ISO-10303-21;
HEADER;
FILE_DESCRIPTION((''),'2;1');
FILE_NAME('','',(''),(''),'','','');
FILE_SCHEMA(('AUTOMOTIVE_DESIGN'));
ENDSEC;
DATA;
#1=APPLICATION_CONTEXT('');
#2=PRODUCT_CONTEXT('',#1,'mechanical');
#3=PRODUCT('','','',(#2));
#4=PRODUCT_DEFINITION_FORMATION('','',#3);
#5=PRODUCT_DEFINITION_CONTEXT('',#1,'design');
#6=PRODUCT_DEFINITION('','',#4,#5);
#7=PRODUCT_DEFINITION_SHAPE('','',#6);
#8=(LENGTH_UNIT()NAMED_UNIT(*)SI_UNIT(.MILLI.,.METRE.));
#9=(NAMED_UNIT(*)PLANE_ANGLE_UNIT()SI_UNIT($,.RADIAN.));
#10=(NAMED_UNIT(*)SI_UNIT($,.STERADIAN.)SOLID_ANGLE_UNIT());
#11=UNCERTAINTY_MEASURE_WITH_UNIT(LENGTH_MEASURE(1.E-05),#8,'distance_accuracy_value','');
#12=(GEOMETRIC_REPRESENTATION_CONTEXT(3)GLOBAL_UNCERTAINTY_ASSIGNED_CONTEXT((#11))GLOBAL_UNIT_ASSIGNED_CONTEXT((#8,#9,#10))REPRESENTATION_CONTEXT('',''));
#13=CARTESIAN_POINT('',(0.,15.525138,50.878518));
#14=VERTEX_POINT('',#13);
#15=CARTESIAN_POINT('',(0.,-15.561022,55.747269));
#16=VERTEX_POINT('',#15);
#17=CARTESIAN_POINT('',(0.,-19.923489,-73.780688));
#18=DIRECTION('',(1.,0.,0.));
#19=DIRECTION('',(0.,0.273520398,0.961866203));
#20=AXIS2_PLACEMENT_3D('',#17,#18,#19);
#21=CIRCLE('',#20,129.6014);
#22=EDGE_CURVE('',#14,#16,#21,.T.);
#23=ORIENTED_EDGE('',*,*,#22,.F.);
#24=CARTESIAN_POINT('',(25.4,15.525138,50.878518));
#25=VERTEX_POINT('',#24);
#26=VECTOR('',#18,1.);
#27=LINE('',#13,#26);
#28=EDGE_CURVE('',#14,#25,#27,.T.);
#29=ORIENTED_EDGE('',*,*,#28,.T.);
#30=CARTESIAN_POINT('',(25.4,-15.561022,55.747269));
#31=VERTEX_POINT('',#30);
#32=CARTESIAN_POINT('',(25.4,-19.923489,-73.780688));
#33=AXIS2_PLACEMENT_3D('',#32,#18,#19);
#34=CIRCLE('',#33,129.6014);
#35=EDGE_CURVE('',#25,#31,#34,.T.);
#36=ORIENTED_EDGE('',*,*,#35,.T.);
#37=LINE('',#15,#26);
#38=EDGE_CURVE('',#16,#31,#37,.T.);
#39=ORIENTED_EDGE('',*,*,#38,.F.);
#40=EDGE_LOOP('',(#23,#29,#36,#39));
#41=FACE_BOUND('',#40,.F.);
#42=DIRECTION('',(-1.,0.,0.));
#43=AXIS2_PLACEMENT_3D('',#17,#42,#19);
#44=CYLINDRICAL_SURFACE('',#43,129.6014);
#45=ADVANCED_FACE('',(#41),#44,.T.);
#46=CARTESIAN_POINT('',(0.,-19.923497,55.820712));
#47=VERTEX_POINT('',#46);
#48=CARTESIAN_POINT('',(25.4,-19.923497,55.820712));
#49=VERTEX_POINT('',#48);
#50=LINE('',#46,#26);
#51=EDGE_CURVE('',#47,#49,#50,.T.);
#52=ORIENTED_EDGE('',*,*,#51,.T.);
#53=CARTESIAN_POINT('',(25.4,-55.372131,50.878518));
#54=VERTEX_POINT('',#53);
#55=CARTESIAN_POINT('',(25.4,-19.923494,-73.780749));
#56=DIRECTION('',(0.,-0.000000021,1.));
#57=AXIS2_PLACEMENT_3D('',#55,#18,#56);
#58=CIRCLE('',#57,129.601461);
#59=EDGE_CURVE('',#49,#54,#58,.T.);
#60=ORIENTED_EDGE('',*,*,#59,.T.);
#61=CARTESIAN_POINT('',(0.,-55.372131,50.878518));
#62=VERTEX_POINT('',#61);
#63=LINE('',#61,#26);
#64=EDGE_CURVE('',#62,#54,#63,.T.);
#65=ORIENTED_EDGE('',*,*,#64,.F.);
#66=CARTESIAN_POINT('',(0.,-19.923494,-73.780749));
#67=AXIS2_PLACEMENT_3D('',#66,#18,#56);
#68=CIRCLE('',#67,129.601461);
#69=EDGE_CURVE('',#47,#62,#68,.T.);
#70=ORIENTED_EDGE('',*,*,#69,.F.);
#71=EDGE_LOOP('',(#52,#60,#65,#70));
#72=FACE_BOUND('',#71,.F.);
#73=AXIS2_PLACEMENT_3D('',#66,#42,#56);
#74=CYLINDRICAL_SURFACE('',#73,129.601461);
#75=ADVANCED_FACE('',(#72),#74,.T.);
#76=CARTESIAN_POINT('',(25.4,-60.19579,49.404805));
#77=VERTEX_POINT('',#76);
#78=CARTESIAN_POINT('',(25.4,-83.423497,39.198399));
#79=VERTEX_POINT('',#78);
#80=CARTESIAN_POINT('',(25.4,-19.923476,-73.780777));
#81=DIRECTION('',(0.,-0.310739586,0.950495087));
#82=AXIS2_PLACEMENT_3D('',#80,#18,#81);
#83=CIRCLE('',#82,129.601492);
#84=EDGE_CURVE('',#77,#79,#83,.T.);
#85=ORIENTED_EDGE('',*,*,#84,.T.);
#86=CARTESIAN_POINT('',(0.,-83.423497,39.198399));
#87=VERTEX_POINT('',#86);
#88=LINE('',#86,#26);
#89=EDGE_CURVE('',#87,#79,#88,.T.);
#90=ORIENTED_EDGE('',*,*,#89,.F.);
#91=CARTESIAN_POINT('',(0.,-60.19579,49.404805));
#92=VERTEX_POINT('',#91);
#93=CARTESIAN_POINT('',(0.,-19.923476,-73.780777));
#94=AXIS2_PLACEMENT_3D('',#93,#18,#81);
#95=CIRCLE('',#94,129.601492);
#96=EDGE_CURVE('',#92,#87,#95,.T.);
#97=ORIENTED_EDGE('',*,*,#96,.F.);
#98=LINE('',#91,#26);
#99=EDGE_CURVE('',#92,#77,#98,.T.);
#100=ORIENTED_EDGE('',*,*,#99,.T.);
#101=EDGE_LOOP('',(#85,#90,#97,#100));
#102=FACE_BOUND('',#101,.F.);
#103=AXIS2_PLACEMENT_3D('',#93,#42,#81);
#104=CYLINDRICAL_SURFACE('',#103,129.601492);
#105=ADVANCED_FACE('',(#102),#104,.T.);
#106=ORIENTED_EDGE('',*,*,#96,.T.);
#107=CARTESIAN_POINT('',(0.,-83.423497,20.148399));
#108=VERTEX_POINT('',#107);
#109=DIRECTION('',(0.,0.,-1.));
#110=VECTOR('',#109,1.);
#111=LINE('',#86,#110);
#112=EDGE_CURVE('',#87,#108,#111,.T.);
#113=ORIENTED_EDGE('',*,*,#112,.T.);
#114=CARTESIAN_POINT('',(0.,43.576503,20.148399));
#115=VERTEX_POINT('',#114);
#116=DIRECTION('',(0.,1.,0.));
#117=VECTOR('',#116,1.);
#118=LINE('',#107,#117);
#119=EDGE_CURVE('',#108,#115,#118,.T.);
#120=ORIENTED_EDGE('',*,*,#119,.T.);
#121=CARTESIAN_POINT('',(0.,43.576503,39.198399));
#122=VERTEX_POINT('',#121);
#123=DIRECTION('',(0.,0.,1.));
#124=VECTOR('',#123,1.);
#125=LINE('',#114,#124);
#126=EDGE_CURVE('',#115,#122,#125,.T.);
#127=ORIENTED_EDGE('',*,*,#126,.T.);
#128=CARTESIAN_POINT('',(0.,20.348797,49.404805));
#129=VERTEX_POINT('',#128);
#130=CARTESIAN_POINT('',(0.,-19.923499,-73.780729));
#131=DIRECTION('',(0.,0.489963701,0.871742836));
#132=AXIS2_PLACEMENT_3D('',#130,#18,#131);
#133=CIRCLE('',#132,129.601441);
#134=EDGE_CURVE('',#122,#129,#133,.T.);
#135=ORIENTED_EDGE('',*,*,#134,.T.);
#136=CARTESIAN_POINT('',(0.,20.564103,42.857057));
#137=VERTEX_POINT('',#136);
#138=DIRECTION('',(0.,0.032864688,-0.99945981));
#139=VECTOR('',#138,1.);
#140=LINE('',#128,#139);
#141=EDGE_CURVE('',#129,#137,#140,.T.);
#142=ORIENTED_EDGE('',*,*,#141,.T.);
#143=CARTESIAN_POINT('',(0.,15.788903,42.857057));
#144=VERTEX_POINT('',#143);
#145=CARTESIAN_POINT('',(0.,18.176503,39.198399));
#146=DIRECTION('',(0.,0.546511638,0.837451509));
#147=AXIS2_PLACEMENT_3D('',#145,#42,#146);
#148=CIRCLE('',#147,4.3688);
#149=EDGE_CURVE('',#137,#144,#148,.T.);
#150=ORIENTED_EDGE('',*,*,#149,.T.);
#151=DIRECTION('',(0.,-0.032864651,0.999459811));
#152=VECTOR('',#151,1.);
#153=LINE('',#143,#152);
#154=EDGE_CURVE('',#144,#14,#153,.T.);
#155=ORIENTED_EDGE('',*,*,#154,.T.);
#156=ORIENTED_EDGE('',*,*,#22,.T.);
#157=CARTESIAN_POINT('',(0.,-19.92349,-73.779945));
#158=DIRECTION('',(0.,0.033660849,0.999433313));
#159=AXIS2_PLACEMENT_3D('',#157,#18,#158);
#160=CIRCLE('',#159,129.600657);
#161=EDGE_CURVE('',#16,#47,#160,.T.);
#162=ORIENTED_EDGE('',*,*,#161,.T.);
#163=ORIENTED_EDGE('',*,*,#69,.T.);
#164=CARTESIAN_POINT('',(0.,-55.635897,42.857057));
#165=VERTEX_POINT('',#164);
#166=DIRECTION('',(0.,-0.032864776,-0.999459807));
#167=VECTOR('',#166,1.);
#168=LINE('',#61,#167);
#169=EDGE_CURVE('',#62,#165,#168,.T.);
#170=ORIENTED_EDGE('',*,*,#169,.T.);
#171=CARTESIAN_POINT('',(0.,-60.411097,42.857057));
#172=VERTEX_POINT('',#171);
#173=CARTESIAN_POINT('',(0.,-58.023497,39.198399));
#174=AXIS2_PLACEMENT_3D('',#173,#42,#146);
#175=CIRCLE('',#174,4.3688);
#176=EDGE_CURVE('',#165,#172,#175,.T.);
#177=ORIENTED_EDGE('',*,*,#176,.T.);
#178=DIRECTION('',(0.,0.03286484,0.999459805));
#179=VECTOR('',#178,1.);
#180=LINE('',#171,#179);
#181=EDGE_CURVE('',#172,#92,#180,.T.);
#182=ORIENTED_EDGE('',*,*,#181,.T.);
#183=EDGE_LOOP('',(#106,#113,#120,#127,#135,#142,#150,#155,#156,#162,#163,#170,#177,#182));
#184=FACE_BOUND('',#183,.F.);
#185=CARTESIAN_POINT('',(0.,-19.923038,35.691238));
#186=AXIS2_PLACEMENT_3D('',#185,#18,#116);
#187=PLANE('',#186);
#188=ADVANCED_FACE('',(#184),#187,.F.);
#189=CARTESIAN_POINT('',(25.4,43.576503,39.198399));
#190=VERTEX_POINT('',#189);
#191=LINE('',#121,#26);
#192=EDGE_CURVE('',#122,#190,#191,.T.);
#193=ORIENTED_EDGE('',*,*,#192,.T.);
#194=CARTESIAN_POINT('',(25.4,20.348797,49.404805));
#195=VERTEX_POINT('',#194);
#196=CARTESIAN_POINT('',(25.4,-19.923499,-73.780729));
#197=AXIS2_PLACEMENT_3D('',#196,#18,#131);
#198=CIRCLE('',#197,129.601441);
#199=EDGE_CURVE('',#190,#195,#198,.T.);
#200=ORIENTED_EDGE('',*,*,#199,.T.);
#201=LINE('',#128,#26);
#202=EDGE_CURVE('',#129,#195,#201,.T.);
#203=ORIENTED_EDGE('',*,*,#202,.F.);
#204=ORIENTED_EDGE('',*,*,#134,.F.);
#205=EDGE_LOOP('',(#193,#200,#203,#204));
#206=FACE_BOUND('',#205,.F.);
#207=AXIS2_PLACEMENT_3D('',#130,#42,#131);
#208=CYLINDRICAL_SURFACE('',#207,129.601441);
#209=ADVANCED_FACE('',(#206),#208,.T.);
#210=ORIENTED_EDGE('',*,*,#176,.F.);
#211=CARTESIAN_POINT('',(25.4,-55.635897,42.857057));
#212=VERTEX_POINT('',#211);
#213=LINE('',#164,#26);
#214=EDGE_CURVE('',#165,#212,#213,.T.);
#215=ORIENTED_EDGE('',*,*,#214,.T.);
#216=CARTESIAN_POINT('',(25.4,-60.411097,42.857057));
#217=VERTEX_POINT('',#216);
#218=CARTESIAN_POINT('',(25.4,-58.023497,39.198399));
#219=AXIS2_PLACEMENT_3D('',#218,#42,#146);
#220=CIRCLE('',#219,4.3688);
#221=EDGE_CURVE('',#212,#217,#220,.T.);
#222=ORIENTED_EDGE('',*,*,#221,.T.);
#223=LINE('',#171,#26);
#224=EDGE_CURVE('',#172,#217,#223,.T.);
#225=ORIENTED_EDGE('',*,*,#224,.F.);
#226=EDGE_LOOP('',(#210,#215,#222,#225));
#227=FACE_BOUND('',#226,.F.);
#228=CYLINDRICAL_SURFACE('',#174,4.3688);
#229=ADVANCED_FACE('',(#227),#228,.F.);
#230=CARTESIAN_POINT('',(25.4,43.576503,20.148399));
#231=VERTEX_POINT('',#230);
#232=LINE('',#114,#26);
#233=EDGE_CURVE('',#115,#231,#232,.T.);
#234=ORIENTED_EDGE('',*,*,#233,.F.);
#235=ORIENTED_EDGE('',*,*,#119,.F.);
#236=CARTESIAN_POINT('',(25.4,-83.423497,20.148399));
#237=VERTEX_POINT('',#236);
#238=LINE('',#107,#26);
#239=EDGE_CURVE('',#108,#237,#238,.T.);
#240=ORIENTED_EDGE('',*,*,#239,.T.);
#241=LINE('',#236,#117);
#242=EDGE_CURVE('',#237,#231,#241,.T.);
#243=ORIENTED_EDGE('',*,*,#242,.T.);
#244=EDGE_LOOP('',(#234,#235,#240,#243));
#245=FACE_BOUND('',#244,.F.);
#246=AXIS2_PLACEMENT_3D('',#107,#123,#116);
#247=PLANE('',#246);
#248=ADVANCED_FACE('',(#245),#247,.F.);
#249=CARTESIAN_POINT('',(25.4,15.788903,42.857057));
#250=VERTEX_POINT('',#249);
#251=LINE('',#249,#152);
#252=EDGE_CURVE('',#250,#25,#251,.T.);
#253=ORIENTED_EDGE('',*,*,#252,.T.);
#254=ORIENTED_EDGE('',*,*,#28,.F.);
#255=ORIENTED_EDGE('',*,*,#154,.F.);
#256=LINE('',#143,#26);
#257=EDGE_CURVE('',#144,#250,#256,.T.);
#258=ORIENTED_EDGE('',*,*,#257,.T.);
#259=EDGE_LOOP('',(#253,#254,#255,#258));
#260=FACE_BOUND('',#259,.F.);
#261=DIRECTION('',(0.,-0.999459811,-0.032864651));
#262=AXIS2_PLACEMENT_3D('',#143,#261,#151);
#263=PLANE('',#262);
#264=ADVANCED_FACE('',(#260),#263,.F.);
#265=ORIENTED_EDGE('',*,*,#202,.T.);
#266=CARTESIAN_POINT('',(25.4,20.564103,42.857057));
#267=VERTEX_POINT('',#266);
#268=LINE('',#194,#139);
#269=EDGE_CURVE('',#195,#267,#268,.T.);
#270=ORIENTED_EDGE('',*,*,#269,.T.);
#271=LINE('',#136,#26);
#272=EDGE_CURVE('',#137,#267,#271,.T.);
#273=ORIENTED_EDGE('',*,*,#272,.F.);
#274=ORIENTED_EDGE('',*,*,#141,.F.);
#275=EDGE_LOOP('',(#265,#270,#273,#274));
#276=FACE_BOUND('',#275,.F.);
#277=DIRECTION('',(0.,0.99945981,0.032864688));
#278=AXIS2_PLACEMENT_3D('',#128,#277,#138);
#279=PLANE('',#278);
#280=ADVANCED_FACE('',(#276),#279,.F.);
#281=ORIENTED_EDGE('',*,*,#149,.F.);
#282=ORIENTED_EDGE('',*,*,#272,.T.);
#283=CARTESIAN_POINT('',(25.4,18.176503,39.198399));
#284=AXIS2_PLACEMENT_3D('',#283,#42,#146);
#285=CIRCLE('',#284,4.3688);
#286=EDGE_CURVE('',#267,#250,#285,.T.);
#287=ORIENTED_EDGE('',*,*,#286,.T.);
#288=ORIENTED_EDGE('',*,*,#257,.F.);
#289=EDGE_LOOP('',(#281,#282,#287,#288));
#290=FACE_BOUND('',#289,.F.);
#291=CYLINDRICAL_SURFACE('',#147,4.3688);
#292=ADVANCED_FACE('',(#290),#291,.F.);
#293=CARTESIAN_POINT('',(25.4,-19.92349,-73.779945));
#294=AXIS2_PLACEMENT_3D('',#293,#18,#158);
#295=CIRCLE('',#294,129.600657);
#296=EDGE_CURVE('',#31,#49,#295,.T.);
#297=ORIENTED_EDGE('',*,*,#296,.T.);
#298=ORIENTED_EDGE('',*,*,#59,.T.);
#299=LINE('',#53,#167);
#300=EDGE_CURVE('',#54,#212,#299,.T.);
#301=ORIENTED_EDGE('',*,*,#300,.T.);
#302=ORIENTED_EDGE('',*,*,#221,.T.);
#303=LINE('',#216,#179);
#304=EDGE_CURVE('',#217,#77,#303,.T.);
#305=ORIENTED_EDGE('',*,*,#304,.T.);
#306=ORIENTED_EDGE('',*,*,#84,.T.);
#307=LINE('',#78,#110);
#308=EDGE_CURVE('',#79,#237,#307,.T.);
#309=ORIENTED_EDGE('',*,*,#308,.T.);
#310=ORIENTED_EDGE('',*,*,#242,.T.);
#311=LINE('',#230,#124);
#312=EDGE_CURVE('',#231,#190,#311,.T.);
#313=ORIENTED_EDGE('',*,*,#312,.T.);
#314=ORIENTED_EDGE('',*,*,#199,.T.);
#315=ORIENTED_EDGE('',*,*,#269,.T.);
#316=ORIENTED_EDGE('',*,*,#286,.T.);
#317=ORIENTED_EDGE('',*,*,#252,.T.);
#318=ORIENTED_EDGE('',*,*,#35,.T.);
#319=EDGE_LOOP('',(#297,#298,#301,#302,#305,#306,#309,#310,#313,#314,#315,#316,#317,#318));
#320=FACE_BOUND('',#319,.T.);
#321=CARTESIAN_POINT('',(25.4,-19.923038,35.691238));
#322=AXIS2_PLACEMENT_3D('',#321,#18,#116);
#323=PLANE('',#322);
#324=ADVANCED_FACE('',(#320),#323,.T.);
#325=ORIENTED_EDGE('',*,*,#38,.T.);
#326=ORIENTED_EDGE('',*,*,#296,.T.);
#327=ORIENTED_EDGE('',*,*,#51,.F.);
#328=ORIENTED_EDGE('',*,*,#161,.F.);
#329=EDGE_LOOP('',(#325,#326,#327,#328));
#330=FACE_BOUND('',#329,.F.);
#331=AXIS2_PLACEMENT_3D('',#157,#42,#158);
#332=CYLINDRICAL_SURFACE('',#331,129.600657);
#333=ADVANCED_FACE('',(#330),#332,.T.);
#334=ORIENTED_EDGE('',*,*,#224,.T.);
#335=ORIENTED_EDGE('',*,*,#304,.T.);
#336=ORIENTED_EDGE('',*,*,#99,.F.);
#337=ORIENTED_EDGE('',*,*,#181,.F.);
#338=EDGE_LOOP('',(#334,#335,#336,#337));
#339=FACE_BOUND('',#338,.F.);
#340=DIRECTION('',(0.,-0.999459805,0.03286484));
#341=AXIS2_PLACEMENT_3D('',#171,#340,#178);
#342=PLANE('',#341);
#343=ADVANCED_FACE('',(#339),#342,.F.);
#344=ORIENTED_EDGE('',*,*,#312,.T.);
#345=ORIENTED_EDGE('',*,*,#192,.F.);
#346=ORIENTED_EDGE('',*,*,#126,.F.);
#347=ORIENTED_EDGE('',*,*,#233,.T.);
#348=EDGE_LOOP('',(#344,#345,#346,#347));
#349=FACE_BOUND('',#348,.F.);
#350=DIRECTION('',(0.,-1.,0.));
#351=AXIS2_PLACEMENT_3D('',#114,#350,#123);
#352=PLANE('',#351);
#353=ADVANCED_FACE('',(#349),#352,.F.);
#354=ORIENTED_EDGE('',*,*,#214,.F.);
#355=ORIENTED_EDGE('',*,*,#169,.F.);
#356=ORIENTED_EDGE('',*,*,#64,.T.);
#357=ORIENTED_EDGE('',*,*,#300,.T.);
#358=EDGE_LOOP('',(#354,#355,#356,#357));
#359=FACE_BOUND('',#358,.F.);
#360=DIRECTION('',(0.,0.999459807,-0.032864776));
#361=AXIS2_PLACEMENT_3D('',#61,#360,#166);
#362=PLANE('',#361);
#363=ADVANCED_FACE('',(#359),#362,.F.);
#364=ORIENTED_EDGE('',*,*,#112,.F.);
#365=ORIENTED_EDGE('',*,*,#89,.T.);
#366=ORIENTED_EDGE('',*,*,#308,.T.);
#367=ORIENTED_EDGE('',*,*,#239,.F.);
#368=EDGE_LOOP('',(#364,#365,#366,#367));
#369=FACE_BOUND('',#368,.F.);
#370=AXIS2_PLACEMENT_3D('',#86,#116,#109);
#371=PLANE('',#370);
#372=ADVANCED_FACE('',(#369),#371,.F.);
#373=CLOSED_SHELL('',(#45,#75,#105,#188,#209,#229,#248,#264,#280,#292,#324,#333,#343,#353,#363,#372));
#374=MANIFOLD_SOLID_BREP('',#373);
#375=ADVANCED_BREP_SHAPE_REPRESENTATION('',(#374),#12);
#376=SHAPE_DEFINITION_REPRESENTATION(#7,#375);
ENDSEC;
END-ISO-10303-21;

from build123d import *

# Parameters (mm, degrees)
F1_DEPTH = 25.4


with BuildPart() as f1:
    # F0 (on Right) → F1 (new body)
    with BuildSketch(Plane.YZ):
        with BuildLine():
            Line((-83.423497, 39.198399), (-83.423497, 20.148399))
            Line((-83.423497, 20.148399), (16.295009, 20.148399))
            Line((16.295009, 20.148399), (21.070209, 20.148399))
            Line((21.070209, 20.148399), (43.576503, 20.148399))
            Line((43.576503, 20.148399), (43.576503, 39.198399))
            ThreePointArc((43.576503, 39.198399), (32.213006, 44.871361), (20.348797, 49.404805))
            Line((20.348797, 49.404805), (20.564103, 42.857057))
            ThreePointArc((20.564103, 42.857057), (18.176503, 34.829599), (15.788903, 42.857057))
            Line((15.788903, 42.857057), (15.525138, 50.878518))
            ThreePointArc((15.525138, 50.878518), (0.130363, 54.259797), (-15.561022, 55.747269))
            ThreePointArc((-15.561022, 55.747269), (-17.74195, 55.80235), (-19.923497, 55.820712))
            ThreePointArc((-19.923497, 55.820712), (-37.819243, 54.579217), (-55.372131, 50.878518))
            Line((-55.372131, 50.878518), (-55.635897, 42.857057))
            ThreePointArc((-55.635897, 42.857057), (-58.023497, 34.829599), (-60.411097, 42.857057))
            Line((-60.411097, 42.857057), (-60.19579, 49.404805))
            ThreePointArc((-60.19579, 49.404805), (-72.059999, 44.871361), (-83.423497, 39.198399))
        make_face()
    extrude(amount=F1_DEPTH)


solid = f1.part
